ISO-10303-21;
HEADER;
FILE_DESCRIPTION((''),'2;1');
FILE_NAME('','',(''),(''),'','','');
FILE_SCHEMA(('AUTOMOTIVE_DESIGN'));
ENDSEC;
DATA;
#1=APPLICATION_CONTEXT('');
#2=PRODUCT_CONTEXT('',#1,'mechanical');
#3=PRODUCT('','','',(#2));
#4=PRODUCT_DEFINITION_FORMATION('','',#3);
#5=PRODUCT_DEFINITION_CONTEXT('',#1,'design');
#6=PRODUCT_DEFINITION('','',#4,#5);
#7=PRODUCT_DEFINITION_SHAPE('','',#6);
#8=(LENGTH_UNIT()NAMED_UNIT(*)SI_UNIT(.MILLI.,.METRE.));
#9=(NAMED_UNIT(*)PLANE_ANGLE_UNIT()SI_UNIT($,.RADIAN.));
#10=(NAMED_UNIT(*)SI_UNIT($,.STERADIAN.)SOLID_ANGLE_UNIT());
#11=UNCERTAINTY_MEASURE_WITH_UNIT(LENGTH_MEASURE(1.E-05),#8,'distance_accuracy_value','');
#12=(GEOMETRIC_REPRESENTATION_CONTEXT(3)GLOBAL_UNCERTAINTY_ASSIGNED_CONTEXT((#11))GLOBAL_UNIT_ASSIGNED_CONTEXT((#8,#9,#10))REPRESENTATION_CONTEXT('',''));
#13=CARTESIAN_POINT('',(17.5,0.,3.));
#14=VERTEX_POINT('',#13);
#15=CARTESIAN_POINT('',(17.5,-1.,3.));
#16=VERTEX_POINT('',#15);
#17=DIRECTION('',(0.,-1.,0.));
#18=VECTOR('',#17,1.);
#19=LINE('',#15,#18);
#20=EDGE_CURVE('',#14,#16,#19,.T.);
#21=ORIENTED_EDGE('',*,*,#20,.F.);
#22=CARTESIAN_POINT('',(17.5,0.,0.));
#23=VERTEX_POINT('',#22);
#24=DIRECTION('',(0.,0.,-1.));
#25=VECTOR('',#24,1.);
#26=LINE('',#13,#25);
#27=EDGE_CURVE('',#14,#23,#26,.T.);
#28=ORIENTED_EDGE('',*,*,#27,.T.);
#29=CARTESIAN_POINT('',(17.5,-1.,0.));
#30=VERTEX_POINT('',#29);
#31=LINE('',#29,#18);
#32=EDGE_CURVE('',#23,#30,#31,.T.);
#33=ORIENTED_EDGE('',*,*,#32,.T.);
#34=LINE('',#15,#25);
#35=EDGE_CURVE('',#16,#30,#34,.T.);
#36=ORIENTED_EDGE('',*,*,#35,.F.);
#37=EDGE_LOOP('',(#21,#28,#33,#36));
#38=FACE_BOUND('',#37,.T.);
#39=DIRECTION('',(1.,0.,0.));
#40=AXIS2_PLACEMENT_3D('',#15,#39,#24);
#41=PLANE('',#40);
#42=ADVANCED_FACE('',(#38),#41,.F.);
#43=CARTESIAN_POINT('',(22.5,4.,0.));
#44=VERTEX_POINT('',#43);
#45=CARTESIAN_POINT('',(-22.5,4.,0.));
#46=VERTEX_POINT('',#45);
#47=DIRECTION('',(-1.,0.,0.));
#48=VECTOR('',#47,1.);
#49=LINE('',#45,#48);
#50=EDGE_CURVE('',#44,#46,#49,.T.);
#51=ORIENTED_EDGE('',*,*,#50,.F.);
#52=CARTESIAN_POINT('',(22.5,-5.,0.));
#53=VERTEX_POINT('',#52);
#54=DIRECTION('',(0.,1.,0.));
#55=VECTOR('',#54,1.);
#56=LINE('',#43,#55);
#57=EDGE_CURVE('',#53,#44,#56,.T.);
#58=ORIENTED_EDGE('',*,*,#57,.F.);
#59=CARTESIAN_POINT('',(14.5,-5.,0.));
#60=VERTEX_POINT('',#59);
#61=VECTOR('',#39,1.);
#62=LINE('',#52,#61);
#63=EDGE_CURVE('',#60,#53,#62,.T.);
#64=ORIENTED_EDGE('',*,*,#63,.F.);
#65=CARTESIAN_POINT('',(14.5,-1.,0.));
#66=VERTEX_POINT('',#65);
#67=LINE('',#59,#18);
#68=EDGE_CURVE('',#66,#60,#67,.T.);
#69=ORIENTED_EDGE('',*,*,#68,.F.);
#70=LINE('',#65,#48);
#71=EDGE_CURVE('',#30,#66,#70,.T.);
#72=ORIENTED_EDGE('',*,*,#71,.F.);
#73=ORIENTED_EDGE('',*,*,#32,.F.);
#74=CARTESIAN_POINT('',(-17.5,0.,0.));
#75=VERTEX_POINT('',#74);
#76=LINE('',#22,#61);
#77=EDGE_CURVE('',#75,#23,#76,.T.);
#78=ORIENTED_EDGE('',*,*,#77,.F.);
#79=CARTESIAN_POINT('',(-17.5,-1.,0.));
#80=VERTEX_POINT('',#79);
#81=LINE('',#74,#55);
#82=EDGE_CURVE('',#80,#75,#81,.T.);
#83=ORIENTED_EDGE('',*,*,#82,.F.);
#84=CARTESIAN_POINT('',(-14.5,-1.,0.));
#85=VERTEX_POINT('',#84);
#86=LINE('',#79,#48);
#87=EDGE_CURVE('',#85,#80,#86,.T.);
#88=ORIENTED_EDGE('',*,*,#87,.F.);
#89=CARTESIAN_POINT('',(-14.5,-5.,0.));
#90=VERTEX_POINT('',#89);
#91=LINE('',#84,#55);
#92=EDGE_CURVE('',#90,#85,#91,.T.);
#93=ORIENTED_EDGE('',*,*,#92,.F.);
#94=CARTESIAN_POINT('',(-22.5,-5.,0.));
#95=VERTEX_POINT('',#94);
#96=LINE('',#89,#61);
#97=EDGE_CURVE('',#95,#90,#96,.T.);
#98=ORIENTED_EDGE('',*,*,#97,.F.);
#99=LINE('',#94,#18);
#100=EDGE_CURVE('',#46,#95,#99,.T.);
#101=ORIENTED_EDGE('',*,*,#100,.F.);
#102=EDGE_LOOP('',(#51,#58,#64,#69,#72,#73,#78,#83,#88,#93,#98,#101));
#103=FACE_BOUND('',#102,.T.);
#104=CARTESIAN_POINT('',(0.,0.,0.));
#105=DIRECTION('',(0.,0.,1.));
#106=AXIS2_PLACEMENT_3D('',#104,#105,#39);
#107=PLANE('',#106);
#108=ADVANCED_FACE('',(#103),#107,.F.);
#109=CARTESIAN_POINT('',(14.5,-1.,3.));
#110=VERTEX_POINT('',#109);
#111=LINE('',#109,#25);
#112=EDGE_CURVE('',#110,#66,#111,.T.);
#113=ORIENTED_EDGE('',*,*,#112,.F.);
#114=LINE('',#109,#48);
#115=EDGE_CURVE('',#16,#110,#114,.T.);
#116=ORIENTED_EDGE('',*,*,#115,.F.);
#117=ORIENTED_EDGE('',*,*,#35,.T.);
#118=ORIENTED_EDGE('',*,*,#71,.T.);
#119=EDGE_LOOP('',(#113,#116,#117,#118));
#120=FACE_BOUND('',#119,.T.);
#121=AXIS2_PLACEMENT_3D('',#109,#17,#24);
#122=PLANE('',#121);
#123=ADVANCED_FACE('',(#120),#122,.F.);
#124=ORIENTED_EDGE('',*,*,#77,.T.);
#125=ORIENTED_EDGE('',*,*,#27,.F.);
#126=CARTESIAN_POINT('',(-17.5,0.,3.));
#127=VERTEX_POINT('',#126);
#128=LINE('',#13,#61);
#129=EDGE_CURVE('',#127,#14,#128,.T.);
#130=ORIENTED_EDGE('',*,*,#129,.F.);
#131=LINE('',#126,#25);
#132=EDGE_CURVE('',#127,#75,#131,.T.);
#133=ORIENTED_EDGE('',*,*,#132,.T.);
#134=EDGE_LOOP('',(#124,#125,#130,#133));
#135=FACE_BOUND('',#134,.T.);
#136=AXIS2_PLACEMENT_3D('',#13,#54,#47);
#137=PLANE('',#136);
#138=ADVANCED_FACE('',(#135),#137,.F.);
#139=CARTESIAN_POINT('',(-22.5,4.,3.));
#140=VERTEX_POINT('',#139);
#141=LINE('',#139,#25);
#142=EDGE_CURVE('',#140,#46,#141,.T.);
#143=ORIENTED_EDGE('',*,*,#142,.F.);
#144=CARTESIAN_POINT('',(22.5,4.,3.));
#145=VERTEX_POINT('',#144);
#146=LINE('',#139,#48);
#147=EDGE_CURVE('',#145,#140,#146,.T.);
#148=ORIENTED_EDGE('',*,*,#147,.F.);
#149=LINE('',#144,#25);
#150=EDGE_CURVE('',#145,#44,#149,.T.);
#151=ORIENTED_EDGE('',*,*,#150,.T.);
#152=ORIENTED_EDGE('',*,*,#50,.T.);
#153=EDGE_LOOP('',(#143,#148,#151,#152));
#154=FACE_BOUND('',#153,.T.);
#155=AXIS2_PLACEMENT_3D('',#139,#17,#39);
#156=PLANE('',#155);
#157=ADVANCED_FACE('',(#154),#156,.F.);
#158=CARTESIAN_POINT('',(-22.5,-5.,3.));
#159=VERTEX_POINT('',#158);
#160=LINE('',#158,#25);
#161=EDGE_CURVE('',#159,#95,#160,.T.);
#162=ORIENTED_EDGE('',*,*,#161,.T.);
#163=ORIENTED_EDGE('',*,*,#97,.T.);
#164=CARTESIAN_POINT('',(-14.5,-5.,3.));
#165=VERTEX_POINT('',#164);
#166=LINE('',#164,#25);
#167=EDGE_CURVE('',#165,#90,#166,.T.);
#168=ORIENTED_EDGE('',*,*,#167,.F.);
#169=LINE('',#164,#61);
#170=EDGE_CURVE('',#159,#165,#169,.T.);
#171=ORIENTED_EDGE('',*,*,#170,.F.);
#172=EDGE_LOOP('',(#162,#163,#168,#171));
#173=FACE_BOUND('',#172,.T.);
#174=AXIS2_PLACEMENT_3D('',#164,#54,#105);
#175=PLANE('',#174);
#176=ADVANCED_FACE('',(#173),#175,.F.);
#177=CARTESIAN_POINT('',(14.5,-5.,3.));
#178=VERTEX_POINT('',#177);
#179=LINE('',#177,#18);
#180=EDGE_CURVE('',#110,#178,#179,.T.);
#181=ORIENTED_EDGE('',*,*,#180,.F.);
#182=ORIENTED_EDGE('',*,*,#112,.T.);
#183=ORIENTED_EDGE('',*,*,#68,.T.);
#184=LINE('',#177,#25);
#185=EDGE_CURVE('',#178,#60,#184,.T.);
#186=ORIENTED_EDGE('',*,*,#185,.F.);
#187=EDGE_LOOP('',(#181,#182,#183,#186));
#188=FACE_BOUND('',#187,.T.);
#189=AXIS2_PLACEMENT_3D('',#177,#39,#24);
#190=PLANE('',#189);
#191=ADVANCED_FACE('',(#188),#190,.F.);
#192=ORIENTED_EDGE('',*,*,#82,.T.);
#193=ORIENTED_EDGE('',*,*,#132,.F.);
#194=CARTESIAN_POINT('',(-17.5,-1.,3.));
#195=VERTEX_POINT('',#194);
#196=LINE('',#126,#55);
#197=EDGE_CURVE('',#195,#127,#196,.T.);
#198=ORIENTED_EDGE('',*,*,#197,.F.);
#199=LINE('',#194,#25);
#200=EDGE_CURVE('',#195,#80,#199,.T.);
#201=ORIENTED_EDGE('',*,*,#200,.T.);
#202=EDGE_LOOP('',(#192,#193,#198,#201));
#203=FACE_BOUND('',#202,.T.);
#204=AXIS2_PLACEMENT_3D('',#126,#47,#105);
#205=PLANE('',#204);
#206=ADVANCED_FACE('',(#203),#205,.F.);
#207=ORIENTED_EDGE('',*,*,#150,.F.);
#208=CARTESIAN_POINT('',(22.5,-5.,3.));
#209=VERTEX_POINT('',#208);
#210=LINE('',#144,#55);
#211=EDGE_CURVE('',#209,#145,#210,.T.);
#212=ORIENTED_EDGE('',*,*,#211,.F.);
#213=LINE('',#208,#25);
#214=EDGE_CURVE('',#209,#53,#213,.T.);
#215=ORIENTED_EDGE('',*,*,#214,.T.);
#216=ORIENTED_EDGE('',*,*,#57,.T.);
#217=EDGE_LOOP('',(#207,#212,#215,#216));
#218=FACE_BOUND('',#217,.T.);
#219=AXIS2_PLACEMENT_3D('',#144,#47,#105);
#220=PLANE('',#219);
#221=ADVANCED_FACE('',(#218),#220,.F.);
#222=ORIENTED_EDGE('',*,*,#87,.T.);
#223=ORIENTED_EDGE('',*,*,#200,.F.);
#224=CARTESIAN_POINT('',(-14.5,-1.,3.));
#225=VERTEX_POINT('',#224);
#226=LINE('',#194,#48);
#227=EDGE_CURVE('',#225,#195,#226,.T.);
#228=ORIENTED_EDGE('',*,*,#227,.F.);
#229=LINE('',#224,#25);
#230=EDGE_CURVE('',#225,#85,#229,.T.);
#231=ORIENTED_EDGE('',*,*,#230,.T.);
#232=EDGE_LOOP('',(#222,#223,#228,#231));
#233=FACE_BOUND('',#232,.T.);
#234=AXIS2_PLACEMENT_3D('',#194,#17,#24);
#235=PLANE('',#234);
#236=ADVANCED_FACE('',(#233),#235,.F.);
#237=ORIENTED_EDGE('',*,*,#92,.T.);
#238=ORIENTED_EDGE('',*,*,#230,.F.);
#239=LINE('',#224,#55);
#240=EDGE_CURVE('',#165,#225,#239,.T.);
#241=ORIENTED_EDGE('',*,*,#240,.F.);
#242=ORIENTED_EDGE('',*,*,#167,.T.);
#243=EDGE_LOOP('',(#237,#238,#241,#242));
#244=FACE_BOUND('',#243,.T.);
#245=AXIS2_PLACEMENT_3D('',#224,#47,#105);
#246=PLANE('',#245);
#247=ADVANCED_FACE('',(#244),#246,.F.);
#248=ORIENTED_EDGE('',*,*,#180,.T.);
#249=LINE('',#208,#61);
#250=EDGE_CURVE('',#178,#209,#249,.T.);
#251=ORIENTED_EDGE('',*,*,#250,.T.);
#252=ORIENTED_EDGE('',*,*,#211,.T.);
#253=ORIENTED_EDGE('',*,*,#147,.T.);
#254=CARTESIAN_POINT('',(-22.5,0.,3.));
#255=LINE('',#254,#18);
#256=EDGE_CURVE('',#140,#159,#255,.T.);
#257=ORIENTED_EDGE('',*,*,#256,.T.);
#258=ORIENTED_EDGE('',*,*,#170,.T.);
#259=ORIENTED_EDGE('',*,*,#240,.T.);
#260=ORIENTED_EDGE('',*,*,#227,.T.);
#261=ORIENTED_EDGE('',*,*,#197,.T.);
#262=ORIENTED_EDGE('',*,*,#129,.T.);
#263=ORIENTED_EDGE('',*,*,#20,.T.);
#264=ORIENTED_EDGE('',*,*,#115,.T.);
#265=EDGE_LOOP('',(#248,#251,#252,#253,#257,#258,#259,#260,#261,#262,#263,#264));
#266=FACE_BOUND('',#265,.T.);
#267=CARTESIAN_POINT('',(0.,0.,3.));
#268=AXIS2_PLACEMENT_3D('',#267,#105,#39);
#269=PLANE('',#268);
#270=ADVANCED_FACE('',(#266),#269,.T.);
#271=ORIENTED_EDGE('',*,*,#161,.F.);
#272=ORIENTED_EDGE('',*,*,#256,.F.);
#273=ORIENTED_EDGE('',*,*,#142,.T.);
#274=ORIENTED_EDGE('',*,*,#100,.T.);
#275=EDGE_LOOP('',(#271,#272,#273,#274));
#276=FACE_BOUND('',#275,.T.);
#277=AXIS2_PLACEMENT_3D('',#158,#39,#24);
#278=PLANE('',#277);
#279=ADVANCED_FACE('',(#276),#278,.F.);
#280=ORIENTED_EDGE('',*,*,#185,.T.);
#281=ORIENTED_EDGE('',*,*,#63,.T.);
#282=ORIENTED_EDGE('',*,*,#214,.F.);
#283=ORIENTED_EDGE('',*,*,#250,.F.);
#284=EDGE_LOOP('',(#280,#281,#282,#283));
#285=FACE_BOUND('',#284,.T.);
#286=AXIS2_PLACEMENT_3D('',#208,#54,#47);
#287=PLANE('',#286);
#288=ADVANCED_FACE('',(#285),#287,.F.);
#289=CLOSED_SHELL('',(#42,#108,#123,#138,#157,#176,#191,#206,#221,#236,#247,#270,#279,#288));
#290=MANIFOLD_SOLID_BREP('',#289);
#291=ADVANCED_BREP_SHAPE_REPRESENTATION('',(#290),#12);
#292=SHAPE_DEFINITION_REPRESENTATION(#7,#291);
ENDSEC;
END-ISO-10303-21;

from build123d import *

# Parameters (mm, degrees)
BOSS_EXTRUDE1_DEPTH = 3


with BuildPart() as part:
    # Sketch2 → Boss-Extrude1 (new body)
    with BuildSketch(Plane.XY):
        Polygon((-17.5, 0), (-17.5, -1), (-14.5, -1), (-14.5, -5), (-22.5, -5), (-22.5, 0), (-22.5, 4), (22.5, 4), (22.5, -5), (14.5, -5), (14.5, -1), (17.5, -1), (17.5, 0), align=None)
    extrude(amount=BOSS_EXTRUDE1_DEPTH)


solid = part.part
